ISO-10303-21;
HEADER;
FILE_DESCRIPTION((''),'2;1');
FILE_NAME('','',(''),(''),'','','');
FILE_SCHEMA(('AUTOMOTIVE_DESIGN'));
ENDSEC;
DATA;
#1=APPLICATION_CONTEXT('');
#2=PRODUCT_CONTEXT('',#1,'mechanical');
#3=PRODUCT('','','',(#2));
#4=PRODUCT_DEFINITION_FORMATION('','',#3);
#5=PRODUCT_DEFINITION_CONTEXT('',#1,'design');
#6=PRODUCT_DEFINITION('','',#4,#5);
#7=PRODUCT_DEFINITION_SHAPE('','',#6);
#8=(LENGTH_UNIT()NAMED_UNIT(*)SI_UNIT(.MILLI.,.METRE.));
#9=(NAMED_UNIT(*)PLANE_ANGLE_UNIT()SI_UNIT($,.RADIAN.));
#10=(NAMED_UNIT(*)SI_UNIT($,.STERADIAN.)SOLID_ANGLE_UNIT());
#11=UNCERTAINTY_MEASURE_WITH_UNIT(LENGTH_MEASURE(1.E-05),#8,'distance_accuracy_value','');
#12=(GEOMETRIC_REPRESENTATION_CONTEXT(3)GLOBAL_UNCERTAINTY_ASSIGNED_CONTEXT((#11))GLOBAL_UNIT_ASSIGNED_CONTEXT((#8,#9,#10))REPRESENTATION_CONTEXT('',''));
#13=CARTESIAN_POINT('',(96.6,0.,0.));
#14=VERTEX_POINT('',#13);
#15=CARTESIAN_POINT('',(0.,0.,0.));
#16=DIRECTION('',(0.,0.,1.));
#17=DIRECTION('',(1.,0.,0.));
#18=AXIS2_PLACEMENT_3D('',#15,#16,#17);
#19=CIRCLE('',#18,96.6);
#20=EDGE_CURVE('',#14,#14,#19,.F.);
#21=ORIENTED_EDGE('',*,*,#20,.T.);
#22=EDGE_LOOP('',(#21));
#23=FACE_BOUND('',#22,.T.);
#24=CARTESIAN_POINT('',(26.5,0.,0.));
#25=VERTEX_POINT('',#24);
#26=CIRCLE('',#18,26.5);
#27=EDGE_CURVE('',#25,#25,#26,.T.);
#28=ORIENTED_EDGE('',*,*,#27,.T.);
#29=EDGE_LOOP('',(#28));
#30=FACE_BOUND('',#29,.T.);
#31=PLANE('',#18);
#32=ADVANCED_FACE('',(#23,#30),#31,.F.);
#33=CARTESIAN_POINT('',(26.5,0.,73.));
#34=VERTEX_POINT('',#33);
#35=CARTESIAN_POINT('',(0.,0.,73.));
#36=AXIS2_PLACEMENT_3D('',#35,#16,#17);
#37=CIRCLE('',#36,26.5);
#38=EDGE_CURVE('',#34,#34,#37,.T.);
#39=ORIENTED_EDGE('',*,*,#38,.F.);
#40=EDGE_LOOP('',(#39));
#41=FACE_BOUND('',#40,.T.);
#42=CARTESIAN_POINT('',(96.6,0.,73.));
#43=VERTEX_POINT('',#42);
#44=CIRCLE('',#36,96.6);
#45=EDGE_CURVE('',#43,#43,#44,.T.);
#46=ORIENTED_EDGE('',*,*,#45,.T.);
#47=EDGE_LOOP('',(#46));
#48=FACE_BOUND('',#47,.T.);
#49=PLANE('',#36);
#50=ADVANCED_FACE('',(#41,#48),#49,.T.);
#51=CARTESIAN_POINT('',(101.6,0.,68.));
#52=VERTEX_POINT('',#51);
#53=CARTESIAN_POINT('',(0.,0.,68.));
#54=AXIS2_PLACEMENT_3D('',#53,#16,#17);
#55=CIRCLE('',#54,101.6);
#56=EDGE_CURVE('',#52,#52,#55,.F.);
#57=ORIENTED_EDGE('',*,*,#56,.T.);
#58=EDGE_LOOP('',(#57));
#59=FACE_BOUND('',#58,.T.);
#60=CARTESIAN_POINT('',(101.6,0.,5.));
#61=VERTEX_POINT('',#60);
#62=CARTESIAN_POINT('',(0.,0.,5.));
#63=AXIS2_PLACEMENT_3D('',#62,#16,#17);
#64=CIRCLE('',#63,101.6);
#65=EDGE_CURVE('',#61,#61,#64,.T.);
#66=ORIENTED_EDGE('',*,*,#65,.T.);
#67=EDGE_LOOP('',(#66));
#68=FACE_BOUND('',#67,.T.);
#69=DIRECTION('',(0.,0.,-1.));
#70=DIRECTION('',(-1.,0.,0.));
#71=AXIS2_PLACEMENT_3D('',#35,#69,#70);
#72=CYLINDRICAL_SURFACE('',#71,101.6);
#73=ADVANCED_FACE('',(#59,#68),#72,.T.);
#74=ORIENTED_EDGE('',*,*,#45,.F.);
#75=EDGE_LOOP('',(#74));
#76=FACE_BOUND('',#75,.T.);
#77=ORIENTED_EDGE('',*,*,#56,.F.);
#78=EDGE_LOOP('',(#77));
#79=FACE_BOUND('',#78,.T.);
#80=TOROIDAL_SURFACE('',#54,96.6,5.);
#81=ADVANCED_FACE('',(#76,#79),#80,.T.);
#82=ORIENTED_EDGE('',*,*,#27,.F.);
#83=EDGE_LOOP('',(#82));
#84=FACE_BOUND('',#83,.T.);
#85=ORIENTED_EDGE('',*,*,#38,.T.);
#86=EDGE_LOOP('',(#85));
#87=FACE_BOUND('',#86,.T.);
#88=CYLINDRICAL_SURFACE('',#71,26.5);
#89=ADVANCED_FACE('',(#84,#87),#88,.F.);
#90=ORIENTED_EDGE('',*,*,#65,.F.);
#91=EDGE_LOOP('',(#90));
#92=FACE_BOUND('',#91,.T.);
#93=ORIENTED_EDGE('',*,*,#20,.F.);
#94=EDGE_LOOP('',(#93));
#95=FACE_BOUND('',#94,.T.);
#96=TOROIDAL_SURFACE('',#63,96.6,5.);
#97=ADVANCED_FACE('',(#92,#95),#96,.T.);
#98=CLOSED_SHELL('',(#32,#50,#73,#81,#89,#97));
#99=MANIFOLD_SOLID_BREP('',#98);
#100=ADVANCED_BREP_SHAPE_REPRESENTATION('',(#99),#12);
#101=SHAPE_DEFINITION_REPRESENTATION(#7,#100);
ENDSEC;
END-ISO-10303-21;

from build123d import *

# Parameters (mm, degrees)
ESQUISSE1_R        = 101.6
ESQUISSE1_R_2      = 26.5
BOSS_EXTRU_1_DEPTH = 73
CONG_1_R           = 5


with BuildPart() as part:
    # Esquisse1 → Boss.-Extru.1 (new body)
    with BuildSketch(Plane.XY):
        Circle(ESQUISSE1_R)
        Circle(ESQUISSE1_R_2, mode=Mode.SUBTRACT)
    extrude(amount=BOSS_EXTRU_1_DEPTH)

    # Congé1
    cong_1_edges = [part.edges().sort_by_distance(p)[0] for p in [
        (-101.6, 0, 0),
        (-101.6, 0, 73),
    ]]
    fillet(cong_1_edges, radius=CONG_1_R)


solid = part.part
